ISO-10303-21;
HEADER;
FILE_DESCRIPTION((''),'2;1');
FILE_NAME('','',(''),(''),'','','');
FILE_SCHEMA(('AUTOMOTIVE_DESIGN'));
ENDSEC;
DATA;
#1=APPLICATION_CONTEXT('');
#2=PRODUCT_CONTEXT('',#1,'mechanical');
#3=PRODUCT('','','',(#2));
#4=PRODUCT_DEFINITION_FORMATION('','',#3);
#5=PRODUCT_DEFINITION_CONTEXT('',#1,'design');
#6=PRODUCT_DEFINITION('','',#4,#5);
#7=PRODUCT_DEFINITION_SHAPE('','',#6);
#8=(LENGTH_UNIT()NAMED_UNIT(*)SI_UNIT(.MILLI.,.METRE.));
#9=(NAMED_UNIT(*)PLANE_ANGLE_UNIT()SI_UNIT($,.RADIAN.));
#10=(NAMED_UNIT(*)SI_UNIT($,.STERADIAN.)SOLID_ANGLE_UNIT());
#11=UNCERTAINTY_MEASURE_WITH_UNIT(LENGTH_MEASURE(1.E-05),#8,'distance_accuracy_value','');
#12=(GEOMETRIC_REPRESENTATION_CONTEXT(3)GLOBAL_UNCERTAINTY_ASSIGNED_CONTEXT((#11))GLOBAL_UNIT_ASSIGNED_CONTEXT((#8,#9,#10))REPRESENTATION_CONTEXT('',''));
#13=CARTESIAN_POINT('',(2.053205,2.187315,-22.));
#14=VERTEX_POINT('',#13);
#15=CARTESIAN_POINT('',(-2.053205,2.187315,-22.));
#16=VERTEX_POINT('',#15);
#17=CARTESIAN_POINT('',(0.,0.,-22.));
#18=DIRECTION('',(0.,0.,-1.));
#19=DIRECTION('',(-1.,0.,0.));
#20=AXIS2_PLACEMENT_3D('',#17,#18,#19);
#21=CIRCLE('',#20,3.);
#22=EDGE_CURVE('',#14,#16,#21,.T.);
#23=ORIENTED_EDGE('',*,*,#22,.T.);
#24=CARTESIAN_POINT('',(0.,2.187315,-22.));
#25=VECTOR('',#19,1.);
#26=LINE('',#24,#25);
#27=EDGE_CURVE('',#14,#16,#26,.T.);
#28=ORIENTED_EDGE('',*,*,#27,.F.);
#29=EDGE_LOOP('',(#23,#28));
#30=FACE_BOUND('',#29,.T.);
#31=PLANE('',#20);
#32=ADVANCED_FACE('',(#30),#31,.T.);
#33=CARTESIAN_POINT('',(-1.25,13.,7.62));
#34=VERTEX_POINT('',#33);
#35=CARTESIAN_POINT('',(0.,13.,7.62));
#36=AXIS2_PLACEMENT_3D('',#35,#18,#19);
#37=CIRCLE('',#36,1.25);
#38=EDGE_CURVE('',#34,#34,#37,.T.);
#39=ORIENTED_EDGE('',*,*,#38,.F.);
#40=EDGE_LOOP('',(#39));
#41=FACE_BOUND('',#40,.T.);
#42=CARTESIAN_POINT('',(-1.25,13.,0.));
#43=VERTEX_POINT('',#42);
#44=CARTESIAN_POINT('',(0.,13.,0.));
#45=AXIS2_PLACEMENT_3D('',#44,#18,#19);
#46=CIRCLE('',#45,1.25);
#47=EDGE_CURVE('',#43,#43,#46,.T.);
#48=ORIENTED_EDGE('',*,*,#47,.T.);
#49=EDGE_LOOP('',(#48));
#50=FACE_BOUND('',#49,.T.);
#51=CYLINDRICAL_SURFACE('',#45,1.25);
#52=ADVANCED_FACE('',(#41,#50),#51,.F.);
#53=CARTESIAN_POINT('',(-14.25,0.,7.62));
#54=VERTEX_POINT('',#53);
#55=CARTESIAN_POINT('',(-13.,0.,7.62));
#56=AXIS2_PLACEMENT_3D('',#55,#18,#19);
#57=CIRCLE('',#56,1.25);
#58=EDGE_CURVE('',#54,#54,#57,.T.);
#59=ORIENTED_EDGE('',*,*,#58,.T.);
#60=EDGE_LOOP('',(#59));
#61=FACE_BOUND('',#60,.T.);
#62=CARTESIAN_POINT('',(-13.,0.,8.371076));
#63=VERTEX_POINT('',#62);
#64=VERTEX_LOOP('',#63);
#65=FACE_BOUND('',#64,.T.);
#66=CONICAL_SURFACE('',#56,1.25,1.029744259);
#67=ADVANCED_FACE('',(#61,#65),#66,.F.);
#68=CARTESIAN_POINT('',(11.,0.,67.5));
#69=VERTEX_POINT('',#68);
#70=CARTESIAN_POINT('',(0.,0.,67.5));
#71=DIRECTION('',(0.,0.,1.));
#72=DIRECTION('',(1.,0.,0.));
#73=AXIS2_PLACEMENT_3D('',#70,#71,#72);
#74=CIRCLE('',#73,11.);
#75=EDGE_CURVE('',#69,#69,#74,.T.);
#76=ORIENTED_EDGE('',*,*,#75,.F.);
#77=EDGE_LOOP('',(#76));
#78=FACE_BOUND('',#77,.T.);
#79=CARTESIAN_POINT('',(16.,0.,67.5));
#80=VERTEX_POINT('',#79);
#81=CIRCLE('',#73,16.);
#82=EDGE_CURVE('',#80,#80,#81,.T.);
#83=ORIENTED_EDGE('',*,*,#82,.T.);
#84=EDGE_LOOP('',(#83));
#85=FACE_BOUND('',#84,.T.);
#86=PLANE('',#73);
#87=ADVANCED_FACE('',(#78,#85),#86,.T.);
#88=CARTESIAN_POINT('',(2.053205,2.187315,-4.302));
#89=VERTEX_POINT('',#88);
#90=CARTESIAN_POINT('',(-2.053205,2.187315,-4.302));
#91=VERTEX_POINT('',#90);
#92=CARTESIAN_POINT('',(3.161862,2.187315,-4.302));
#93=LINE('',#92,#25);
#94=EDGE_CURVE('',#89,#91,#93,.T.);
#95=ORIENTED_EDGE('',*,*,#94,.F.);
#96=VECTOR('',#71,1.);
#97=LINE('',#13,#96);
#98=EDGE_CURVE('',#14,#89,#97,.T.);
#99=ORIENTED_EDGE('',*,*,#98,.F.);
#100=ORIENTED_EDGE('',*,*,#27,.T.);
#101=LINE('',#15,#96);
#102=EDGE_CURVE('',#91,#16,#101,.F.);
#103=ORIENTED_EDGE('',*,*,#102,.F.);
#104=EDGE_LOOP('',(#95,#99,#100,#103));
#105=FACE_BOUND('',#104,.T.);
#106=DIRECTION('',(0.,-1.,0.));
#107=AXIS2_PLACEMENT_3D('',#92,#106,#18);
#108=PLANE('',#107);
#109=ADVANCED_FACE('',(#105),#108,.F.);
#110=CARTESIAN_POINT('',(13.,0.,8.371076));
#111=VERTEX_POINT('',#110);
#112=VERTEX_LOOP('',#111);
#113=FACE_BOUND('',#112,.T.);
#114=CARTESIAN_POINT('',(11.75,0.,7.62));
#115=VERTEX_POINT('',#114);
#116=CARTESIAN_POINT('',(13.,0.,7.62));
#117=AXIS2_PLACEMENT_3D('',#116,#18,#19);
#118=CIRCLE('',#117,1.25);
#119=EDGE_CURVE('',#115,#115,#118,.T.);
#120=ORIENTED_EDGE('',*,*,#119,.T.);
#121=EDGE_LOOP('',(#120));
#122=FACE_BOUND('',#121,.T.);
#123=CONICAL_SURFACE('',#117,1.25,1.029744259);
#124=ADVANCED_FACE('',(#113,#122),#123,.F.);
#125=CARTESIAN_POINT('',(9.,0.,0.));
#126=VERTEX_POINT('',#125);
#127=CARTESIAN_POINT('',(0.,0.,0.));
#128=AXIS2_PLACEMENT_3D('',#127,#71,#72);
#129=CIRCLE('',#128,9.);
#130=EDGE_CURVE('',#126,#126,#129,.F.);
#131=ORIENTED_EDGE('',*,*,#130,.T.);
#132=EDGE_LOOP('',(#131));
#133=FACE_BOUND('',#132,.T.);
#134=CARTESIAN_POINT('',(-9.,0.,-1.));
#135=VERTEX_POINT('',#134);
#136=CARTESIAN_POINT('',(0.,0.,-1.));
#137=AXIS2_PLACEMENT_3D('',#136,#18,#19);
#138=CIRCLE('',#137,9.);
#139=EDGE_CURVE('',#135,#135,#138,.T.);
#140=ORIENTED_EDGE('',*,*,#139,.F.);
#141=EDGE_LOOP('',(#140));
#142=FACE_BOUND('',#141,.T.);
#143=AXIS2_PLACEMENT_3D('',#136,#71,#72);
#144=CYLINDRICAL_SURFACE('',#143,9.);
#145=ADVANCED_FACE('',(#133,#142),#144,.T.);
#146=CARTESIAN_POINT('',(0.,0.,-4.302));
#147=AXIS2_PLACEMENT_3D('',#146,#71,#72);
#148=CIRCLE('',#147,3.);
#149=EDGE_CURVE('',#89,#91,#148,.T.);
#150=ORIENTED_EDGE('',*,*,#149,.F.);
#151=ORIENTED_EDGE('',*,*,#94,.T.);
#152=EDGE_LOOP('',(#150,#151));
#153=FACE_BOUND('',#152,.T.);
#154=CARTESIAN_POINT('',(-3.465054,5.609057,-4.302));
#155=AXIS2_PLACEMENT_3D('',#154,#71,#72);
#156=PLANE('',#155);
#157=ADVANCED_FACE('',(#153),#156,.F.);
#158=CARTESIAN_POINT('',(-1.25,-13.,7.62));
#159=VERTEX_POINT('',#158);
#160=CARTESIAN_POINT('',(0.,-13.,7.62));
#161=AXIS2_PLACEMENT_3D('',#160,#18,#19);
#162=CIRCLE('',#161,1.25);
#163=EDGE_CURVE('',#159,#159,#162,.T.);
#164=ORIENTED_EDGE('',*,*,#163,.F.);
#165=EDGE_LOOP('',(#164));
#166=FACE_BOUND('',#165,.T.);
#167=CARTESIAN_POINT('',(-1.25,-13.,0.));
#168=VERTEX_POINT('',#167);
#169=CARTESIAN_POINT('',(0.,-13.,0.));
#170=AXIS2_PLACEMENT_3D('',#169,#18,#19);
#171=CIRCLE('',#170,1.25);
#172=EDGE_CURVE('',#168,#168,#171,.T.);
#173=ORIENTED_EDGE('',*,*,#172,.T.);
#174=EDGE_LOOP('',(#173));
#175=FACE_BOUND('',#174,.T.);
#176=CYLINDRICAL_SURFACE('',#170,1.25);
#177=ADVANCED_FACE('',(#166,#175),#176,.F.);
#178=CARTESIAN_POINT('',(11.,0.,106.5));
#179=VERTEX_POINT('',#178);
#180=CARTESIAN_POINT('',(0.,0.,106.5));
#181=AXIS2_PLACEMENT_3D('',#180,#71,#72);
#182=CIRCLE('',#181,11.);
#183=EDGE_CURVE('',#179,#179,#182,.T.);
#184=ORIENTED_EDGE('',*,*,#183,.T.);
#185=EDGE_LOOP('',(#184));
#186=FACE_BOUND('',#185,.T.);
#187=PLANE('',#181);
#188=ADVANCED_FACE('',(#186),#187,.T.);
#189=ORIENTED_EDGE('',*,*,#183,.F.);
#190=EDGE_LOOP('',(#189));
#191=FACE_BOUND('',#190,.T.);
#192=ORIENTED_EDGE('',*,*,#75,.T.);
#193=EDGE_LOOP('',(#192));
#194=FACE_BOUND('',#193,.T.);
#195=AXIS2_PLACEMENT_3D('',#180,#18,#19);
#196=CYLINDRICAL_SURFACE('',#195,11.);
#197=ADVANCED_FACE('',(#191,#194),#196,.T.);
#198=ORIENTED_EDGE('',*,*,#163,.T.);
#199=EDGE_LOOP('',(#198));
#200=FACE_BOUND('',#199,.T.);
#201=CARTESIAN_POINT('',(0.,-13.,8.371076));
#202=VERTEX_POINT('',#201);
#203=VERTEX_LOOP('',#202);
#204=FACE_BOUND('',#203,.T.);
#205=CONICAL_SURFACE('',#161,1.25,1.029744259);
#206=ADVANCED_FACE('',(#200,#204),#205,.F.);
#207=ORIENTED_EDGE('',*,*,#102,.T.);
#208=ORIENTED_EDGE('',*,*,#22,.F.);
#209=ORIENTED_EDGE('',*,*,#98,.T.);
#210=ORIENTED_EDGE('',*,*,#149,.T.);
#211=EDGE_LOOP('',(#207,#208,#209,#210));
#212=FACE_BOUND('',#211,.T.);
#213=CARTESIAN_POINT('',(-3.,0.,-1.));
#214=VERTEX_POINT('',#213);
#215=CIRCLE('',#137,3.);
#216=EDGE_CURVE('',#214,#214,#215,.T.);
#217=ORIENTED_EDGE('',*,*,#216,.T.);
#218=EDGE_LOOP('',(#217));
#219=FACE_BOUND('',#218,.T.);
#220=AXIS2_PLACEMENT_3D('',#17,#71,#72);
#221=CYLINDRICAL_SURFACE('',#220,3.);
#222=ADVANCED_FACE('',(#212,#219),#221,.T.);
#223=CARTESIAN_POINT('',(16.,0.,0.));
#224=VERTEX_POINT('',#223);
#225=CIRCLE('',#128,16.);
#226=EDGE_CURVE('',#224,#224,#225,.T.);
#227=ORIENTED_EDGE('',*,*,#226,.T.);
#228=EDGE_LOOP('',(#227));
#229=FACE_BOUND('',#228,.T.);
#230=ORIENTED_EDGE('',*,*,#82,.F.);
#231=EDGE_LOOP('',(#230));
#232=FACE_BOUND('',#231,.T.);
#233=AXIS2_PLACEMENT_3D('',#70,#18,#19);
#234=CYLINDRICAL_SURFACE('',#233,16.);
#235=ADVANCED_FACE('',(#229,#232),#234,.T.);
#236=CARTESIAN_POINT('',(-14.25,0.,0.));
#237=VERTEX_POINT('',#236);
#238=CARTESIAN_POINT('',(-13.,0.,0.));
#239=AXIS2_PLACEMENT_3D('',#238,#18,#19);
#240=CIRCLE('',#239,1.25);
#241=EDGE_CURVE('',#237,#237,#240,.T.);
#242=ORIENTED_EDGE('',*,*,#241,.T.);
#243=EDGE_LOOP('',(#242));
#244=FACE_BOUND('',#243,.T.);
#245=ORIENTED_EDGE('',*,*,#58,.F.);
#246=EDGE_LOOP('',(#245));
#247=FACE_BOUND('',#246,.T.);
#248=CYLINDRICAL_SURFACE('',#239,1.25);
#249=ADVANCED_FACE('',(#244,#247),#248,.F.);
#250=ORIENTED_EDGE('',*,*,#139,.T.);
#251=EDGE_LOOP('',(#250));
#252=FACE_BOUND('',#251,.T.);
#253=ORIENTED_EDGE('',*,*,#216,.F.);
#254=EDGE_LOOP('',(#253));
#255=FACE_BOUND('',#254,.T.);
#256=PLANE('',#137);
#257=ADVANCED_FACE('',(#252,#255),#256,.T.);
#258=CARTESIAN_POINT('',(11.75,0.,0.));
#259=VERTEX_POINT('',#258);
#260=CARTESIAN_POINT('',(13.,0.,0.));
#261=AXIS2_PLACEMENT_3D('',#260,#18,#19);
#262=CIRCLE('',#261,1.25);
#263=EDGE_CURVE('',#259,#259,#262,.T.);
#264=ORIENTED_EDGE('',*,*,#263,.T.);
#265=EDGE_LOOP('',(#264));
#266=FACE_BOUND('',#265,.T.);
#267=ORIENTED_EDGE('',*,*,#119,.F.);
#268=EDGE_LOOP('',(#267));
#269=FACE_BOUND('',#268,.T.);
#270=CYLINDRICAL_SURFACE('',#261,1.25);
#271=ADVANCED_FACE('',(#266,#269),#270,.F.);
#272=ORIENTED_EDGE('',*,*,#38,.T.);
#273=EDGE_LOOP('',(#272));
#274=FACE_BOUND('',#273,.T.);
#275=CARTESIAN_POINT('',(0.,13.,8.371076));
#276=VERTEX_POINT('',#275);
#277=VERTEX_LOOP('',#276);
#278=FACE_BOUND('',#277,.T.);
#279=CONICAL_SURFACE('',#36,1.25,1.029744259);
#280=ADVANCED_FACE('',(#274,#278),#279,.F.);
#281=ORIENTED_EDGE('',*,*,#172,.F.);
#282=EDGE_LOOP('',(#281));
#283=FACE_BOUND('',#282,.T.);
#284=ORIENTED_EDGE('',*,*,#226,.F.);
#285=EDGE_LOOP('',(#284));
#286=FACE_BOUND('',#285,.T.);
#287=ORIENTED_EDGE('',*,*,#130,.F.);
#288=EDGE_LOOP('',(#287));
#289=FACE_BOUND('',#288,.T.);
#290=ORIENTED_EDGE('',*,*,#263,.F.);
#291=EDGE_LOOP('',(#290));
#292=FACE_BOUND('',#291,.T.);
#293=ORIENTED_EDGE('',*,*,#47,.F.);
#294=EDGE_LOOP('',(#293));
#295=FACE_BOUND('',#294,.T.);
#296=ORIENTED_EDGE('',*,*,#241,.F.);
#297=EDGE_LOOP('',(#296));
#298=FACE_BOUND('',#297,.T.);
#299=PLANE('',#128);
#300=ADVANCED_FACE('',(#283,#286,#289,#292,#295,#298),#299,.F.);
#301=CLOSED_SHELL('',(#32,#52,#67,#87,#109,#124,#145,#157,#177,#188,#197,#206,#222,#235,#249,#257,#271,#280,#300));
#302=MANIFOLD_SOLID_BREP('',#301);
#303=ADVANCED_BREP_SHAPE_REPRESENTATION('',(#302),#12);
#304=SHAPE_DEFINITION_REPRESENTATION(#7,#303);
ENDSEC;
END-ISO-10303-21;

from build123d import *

# Parameters (mm, degrees)
SKETCH1_R           = 16
BOSS_EXTRUDE1_DEPTH = 67.5
SKETCH2_R           = 9
BOSS_EXTRUDE2_DEPTH = 1
SKETCH3_R           = 3
BOSS_EXTRUDE3_DEPTH = 21
CUT_EXTRUDE1_DEPTH  = 17.698
SKETCH5_R           = 11
BOSS_EXTRUDE4_DEPTH = 39
CIRPATTERN1_COUNT   = 4


with BuildPart() as part:
    # Sketch1 → Boss-Extrude1 (new body)
    with BuildSketch(Plane.XY):
        Circle(SKETCH1_R)
    extrude(amount=BOSS_EXTRUDE1_DEPTH)

    # Sketch2 → Boss-Extrude2 (add)
    with BuildSketch(Plane(origin=(0, 0, 0), x_dir=(-1, 0, 0), z_dir=(0, 0, -1))):
        with Locations(Location((0, 0, 0), (0, 0, 180))):
            Circle(SKETCH2_R)
    extrude(amount=BOSS_EXTRUDE2_DEPTH)

    # Sketch3 → Boss-Extrude3 (add)
    with BuildSketch(Plane(origin=(0, 0, -1), x_dir=(-1, 0, 0), z_dir=(0, 0, -1))):
        with Locations(Location((0, 0, 0), (0, 0, 180))):
            Circle(SKETCH3_R)
    extrude(amount=BOSS_EXTRUDE3_DEPTH)

    # Sketch4 → Cut-Extrude1 (cut)
    with BuildSketch(Plane(origin=(0, 0, -22), x_dir=(-1, 0, 0), z_dir=(0, 0, -1))):
        Polygon((-3.161861974, 2.187315475), (3.465054218, 2.187315475), (3.465054218, 5.609056515), align=None)
    extrude(amount=-CUT_EXTRUDE1_DEPTH, mode=Mode.SUBTRACT)

    # Sketch5 → Boss-Extrude4 (add)
    with BuildSketch(Plane.XY.offset(67.5)):
        Circle(SKETCH5_R)
    extrude(amount=BOSS_EXTRUDE4_DEPTH)

    # Sketch8 → M3x0.5 Tapped Hole1 (revolve, cut)
    with BuildSketch(Plane(origin=(0, 13, 0), x_dir=(0, 1, 0), z_dir=(1, 0, 0))):
        Polygon((0, 0), (0, 8.371075774), (1.25, 7.62), (1.25, 0), align=None)
    m3x0_5_tapped_hole1 = revolve(axis=Axis((0, 13, -6.35), (0, 0, 1)), mode=Mode.SUBTRACT)

    # CirPattern1: M3x0.5 Tapped Hole1 ×4 about axis
    cirpattern1_axis = Axis((0, 0, 0), (0, 0, 1))
    for i in range(1, CIRPATTERN1_COUNT):
        add(m3x0_5_tapped_hole1.rotate(cirpattern1_axis, i * 360 / CIRPATTERN1_COUNT), mode=Mode.SUBTRACT)


solid = part.part
